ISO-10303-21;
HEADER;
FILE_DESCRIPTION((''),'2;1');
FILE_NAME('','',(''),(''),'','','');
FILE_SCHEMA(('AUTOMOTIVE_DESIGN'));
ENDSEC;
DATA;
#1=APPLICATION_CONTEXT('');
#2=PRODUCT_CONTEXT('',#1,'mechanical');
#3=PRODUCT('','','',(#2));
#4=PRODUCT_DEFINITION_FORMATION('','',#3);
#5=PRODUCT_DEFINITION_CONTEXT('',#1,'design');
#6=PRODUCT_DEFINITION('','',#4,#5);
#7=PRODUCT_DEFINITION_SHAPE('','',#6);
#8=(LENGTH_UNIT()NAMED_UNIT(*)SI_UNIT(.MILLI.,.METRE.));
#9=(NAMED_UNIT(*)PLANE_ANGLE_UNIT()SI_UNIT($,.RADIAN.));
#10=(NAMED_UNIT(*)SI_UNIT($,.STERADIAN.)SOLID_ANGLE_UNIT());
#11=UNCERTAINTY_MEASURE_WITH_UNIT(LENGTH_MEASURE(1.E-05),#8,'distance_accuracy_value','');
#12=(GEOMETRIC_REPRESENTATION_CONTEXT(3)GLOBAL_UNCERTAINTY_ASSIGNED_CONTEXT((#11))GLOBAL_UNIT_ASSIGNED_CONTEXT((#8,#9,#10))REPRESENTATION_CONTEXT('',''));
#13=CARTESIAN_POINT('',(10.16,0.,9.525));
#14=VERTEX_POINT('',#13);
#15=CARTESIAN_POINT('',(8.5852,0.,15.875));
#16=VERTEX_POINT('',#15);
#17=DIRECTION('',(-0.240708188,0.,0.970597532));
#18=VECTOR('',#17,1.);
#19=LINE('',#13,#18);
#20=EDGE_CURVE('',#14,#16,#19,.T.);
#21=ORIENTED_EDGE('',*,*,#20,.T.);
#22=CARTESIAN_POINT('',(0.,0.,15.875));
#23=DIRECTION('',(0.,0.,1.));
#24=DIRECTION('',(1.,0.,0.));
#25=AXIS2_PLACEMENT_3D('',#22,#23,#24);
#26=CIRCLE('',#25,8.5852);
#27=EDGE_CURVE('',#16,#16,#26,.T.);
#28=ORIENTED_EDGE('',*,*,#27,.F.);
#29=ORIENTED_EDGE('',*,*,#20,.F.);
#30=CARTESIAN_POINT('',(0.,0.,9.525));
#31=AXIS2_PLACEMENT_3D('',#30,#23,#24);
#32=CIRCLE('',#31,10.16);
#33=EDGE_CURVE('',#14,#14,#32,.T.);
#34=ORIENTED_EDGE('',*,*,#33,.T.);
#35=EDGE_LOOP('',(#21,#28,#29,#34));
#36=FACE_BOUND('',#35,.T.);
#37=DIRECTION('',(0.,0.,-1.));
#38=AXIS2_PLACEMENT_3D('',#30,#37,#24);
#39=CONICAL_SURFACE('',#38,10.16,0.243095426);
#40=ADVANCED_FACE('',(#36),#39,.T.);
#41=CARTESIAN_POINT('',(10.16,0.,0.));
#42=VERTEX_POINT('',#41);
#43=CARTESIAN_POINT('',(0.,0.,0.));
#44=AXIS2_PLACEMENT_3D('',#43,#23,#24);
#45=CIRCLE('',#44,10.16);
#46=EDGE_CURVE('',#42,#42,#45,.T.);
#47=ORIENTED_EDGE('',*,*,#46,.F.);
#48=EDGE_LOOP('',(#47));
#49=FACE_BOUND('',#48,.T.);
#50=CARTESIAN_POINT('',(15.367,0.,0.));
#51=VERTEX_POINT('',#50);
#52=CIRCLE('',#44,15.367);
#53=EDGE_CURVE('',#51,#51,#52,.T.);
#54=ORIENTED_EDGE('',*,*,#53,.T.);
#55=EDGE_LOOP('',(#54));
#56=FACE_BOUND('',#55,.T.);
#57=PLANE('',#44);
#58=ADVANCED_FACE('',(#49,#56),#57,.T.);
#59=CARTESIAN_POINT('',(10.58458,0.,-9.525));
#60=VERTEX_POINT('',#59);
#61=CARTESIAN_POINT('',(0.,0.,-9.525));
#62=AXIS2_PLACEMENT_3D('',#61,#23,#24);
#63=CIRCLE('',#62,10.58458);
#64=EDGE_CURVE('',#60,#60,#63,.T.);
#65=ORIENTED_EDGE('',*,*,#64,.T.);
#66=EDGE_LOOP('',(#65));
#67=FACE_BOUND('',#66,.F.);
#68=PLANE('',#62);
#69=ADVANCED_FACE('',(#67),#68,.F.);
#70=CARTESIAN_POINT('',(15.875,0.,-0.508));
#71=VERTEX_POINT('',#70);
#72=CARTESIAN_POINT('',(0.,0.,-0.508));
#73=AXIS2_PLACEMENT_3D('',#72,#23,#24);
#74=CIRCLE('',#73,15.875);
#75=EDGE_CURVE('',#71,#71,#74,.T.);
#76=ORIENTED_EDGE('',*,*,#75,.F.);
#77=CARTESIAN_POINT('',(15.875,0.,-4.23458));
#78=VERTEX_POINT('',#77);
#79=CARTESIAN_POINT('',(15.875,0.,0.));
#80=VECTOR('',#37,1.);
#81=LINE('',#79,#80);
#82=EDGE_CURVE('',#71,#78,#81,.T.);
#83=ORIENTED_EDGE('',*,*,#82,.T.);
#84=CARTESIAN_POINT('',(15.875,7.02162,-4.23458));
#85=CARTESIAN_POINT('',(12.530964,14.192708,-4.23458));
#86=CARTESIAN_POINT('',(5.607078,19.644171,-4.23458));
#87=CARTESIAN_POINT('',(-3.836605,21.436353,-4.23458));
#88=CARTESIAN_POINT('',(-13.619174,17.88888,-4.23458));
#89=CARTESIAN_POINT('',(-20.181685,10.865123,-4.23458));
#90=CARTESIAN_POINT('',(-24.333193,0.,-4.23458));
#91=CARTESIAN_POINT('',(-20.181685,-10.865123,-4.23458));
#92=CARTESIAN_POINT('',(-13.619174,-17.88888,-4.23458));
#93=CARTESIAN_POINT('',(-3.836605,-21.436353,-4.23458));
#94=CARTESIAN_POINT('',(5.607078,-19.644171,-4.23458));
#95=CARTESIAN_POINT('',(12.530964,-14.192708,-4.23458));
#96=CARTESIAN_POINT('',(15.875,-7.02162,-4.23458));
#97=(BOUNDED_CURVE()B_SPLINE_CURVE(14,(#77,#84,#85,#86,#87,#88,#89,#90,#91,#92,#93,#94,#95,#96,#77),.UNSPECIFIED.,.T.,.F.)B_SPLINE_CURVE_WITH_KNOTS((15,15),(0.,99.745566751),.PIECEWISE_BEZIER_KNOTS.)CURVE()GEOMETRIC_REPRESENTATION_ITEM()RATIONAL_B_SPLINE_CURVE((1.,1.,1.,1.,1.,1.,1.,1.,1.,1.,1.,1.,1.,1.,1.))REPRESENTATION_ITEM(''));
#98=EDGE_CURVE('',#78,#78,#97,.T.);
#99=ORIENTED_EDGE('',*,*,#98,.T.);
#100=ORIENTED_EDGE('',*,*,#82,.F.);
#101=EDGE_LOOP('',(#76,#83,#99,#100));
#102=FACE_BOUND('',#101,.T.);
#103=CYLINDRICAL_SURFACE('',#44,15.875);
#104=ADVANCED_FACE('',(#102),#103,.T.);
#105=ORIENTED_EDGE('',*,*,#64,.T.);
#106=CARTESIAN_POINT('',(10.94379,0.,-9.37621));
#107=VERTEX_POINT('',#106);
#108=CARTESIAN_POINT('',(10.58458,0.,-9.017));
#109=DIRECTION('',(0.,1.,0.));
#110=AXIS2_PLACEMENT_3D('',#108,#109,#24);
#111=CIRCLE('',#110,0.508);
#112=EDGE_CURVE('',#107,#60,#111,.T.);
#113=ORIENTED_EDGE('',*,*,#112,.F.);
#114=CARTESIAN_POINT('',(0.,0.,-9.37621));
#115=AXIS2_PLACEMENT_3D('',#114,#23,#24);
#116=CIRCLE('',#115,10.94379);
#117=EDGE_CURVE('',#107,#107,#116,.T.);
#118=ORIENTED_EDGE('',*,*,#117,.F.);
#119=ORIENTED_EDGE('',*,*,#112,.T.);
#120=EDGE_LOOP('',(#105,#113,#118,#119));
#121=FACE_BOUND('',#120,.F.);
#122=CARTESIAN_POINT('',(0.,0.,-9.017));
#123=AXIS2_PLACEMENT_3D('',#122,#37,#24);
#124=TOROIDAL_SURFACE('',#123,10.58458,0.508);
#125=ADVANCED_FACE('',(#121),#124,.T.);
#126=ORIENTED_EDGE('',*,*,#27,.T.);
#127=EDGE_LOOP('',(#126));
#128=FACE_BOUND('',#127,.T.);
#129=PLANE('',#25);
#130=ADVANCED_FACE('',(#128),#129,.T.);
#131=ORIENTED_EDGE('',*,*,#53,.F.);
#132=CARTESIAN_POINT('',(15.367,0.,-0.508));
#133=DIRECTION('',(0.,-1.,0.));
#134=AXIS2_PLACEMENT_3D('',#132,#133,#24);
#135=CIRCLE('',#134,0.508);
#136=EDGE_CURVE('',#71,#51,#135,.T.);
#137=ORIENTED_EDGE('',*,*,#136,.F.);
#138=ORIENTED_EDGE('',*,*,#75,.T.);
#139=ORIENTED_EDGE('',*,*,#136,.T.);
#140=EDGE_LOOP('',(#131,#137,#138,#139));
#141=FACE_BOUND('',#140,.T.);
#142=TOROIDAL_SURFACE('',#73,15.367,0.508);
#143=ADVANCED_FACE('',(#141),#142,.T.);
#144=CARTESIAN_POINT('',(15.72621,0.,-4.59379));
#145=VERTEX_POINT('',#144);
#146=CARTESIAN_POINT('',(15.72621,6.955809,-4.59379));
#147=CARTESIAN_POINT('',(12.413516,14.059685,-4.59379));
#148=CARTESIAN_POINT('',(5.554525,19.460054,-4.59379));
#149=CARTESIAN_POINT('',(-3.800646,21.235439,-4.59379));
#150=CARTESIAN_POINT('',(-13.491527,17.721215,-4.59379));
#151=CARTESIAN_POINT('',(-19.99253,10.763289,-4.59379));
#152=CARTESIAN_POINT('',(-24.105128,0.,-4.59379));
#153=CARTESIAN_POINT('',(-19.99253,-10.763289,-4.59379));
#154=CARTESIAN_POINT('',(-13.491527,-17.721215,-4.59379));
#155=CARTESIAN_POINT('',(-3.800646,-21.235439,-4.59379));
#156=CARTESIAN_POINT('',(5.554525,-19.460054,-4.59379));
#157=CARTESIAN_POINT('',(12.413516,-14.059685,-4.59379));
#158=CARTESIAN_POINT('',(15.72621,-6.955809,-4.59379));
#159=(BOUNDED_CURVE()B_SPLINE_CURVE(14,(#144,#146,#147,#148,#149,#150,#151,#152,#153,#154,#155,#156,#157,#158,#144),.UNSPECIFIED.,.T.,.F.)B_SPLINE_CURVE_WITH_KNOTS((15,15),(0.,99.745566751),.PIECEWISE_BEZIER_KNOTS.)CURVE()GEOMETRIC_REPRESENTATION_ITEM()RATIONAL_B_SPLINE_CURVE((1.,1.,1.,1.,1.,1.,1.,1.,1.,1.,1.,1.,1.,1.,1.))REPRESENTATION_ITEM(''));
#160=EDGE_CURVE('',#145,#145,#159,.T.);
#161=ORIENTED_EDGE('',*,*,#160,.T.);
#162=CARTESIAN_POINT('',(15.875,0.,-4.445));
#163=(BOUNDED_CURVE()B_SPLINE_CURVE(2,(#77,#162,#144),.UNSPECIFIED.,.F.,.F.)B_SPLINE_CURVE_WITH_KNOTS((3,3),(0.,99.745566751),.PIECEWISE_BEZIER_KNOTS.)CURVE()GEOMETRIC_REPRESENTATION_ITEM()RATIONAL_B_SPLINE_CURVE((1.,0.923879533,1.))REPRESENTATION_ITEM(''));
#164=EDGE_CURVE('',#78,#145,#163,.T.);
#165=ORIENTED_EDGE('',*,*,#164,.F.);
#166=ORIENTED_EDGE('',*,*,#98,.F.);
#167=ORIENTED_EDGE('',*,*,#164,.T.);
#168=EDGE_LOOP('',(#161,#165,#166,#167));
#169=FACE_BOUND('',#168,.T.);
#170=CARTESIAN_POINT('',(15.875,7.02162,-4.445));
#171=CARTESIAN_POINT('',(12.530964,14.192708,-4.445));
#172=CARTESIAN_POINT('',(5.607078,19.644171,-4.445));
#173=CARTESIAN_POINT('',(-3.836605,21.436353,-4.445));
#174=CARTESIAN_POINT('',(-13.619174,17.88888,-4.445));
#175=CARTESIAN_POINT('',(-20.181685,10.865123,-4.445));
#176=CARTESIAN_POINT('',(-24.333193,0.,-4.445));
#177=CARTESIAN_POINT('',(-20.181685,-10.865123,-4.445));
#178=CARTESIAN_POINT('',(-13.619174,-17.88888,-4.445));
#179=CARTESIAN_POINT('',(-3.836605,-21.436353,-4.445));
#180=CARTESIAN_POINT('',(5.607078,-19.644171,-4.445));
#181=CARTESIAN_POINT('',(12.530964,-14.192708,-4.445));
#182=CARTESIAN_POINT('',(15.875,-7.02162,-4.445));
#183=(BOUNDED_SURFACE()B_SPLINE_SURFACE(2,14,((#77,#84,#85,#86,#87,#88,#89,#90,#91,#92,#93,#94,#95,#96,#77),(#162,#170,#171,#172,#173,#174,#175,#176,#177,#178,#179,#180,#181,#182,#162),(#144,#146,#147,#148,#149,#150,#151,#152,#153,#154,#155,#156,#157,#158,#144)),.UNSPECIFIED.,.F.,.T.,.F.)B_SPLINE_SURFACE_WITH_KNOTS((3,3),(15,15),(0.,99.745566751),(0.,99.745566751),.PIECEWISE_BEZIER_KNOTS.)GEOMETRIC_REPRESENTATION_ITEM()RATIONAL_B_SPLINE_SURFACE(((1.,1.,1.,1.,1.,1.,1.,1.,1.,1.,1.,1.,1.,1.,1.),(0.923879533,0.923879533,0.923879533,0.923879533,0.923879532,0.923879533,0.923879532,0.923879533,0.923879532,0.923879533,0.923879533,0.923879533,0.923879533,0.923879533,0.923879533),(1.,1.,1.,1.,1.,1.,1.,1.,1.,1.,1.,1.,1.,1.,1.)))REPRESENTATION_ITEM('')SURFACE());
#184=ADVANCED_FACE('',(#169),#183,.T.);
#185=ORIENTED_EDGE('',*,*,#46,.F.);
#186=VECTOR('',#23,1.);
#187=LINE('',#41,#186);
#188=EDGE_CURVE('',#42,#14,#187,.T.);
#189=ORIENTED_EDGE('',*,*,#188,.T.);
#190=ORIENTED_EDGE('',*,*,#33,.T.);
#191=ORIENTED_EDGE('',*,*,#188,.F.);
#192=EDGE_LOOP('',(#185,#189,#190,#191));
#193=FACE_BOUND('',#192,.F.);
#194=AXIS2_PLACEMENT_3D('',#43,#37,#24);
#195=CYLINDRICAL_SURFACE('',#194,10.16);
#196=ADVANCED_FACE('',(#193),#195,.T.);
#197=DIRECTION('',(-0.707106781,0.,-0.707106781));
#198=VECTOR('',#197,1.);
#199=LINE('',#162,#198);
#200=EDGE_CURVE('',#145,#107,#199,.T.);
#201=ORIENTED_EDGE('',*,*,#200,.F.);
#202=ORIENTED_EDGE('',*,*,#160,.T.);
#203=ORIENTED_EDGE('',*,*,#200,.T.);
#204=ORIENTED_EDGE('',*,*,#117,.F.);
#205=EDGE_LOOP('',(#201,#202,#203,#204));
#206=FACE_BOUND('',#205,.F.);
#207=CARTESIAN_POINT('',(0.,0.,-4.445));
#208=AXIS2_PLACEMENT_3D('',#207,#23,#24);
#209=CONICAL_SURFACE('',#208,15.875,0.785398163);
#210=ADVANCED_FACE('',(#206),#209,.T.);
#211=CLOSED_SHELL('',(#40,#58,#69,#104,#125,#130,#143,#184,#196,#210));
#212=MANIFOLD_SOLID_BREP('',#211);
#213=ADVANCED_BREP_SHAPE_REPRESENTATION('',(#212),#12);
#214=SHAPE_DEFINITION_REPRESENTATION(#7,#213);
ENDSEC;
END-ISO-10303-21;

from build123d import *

# Parameters (mm, degrees)
F0_R     = 15.875
F0_R_2   = 10.16
F1_DEPTH = 9.525
F2_DEPTH = 15.875
F3_SIZE2 = 1.5748
F3_SIZE  = 6.35
F4_SIZE  = 5.08
F5_R     = 0.508


with BuildPart() as f1:
    # F0 (on Top) → F1 (new body)
    with BuildSketch(Plane.XY):
        Circle(F0_R)
        Circle(F0_R_2, mode=Mode.SUBTRACT)
        Circle(F0_R_2)
    extrude(amount=-F1_DEPTH)

    # F0 (on Top) → F2 (join)
    with BuildSketch(Plane.XY):
        Circle(F0_R_2)
    extrude(amount=F2_DEPTH)

    # F3
    f3_edges = [f1.edges().sort_by_distance(p)[0] for p in [
        (-10.16, 0, 15.875),
    ]]
    f3_side = f1.faces().sort_by_distance((-10.16, 0, 7.9375))[0]
    chamfer(f3_edges, length=F3_SIZE, length2=F3_SIZE2, reference=f3_side)

    # F4
    f4_edges = [f1.edges().sort_by_distance(p)[0] for p in [
        (-15.875, 0, -9.525),
    ]]
    chamfer(f4_edges, length=F4_SIZE)

    # F5
    f5_edges = [f1.edges().sort_by_distance(p)[0] for p in [
        (-15.875, 0, 0),
        (-15.875, 0, -4.445),
        (-10.795, 0, -9.525),
    ]]
    fillet(f5_edges, radius=F5_R)


solid = f1.part
